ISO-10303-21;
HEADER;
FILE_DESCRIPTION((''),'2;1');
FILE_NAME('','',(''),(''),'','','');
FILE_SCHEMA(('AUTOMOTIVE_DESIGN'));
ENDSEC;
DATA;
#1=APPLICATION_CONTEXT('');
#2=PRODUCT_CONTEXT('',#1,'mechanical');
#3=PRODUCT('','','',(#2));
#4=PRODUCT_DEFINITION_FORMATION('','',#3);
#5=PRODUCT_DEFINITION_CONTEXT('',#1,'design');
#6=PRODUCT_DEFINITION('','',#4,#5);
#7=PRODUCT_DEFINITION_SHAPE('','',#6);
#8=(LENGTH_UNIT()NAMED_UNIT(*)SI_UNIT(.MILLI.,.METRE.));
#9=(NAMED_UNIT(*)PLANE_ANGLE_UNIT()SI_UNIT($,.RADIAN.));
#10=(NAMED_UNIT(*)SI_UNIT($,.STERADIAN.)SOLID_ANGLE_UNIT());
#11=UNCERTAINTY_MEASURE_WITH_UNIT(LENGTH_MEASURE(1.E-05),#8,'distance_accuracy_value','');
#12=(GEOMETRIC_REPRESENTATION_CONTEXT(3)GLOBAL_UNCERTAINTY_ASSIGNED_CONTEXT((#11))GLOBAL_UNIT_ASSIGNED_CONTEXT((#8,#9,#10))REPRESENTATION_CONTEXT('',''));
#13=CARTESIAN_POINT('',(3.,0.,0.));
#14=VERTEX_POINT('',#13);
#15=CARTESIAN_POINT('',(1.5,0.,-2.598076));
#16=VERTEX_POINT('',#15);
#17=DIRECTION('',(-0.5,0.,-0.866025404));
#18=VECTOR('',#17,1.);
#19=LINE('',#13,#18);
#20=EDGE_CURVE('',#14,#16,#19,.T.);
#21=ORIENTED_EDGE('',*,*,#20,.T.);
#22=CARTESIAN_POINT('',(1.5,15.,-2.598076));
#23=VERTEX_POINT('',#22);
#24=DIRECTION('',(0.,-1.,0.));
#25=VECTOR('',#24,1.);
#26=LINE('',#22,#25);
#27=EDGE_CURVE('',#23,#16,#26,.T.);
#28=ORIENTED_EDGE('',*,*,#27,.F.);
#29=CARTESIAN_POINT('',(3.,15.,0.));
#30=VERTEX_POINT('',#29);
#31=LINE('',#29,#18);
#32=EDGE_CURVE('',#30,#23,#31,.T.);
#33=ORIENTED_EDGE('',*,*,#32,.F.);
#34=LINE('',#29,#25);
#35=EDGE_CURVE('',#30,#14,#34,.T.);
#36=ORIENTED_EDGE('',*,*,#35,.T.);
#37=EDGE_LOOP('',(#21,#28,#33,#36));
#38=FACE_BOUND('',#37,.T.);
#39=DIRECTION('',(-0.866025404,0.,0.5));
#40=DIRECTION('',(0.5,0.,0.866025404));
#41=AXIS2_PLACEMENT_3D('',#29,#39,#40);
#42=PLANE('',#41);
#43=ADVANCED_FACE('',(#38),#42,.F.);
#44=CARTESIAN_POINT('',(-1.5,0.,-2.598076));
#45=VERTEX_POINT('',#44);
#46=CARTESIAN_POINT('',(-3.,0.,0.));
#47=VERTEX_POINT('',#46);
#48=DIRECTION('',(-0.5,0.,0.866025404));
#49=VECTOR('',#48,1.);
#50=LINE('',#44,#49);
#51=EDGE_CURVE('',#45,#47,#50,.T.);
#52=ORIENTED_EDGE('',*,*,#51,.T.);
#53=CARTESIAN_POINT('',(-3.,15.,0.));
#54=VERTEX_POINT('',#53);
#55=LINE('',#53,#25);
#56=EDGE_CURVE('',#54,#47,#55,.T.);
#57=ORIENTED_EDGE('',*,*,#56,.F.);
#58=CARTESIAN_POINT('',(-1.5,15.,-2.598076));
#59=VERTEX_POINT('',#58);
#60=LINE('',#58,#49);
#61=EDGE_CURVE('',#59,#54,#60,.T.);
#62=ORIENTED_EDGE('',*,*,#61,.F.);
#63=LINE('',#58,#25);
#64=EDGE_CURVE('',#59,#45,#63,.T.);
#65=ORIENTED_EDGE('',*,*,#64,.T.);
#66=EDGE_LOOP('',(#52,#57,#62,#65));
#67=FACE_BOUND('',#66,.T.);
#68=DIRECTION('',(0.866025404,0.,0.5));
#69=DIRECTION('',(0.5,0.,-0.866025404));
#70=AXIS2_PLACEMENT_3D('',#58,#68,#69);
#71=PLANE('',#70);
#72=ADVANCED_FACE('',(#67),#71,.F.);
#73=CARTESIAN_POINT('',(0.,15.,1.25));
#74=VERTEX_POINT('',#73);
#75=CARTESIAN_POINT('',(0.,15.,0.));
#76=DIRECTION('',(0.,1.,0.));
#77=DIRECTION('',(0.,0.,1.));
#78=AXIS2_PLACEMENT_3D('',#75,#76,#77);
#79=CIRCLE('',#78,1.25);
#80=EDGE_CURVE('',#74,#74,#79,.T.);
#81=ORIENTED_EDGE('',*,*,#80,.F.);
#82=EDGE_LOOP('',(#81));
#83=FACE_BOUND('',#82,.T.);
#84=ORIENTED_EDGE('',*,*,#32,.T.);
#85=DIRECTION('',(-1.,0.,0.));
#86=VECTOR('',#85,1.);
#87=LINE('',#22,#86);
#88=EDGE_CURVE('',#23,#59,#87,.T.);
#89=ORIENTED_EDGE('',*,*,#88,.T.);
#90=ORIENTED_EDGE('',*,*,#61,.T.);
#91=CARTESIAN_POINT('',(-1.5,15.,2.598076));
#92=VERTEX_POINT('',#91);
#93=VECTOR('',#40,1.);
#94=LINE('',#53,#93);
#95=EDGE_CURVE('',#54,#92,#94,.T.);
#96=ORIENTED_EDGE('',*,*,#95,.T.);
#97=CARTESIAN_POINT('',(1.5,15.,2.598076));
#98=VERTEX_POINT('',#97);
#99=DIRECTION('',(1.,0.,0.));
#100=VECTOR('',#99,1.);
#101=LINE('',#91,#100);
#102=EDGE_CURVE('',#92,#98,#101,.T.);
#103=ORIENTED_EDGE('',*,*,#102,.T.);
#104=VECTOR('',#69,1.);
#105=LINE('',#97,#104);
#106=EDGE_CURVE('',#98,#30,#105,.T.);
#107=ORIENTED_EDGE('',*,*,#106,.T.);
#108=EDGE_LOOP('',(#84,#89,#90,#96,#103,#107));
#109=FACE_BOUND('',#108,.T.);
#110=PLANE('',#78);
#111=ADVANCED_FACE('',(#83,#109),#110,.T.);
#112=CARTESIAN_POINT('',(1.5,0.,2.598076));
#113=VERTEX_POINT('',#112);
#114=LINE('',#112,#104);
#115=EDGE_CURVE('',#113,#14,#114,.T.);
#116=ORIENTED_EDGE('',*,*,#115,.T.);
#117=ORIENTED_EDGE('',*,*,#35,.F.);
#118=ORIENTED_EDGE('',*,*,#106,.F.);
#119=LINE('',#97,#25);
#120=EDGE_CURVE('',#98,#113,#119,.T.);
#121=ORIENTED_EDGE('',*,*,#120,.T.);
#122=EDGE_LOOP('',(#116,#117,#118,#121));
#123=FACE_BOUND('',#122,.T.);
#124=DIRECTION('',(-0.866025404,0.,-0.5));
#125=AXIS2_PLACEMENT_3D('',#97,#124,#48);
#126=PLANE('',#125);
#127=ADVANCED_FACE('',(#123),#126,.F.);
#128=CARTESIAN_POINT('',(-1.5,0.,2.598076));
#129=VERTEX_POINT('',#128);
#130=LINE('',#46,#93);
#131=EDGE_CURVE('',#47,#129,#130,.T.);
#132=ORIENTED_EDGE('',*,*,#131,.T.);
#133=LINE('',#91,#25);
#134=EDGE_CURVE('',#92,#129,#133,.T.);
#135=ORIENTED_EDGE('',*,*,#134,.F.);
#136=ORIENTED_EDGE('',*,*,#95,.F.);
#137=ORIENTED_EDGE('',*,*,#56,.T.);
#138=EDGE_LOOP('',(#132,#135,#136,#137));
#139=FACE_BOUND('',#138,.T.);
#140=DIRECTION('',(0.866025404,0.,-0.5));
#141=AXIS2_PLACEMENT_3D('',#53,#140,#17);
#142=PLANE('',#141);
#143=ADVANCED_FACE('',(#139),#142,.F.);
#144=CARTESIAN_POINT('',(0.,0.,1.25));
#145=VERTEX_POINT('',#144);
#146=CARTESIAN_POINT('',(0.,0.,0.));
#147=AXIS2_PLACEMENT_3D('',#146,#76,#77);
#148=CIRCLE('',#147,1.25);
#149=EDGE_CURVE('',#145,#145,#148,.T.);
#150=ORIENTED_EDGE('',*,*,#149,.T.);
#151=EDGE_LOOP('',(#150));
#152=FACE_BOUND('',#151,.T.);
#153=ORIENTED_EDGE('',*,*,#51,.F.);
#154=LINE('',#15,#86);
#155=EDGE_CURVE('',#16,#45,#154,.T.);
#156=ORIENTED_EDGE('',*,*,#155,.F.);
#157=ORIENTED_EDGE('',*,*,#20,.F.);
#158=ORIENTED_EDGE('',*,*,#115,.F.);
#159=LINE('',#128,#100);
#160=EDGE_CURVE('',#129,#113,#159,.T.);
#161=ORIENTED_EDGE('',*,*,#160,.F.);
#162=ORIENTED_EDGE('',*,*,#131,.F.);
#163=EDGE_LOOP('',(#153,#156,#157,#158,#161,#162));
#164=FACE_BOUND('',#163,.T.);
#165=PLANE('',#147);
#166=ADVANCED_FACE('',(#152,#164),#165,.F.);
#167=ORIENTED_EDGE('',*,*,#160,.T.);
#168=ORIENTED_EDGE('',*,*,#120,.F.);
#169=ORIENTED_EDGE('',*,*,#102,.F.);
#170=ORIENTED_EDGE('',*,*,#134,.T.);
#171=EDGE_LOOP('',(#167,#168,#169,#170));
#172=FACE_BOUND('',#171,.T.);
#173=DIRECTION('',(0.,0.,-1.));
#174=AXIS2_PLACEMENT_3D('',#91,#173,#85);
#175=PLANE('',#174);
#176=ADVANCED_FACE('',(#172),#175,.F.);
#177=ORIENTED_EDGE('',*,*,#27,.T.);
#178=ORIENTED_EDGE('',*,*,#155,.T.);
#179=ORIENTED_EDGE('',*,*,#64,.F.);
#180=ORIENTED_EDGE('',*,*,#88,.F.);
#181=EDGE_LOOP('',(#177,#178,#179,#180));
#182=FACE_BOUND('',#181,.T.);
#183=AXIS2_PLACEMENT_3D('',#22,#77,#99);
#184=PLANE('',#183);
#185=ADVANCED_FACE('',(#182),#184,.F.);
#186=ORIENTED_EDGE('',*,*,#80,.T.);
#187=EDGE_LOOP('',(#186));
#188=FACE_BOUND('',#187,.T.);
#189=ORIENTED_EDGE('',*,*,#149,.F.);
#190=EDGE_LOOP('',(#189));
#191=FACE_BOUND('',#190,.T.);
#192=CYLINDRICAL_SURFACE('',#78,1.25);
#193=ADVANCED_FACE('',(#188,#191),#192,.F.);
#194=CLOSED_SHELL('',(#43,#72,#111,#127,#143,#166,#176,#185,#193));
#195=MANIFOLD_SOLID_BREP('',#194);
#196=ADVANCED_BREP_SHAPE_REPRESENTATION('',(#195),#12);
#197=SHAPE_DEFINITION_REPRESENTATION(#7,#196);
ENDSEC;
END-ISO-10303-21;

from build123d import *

# Parameters (mm, degrees)
EXTRUDE_1_DEPTH    = 15
HOLE_WIZARD_M3_1_D = 2.5


with BuildPart() as part:
    # 草图1 → 凸台-拉伸1 (new body)
    with BuildSketch(Plane(origin=(0, 0, 0), x_dir=(1, 0, 0), z_dir=(0, 1, 0))):
        Polygon((1.5, 2.598076211), (-1.5, 2.598076211), (-3, 0), (-1.5, -2.598076211), (1.5, -2.598076211), (3, 0), align=None)
    extrude(amount=EXTRUDE_1_DEPTH)

    # M3 螺纹孔1 (through all)
    with Locations(Plane(origin=(0, 15, 0), x_dir=(1, 0, 0), z_dir=(0, 1, 0))):
        with Locations((0, 0)):
            Hole(HOLE_WIZARD_M3_1_D / 2)


solid = part.part
